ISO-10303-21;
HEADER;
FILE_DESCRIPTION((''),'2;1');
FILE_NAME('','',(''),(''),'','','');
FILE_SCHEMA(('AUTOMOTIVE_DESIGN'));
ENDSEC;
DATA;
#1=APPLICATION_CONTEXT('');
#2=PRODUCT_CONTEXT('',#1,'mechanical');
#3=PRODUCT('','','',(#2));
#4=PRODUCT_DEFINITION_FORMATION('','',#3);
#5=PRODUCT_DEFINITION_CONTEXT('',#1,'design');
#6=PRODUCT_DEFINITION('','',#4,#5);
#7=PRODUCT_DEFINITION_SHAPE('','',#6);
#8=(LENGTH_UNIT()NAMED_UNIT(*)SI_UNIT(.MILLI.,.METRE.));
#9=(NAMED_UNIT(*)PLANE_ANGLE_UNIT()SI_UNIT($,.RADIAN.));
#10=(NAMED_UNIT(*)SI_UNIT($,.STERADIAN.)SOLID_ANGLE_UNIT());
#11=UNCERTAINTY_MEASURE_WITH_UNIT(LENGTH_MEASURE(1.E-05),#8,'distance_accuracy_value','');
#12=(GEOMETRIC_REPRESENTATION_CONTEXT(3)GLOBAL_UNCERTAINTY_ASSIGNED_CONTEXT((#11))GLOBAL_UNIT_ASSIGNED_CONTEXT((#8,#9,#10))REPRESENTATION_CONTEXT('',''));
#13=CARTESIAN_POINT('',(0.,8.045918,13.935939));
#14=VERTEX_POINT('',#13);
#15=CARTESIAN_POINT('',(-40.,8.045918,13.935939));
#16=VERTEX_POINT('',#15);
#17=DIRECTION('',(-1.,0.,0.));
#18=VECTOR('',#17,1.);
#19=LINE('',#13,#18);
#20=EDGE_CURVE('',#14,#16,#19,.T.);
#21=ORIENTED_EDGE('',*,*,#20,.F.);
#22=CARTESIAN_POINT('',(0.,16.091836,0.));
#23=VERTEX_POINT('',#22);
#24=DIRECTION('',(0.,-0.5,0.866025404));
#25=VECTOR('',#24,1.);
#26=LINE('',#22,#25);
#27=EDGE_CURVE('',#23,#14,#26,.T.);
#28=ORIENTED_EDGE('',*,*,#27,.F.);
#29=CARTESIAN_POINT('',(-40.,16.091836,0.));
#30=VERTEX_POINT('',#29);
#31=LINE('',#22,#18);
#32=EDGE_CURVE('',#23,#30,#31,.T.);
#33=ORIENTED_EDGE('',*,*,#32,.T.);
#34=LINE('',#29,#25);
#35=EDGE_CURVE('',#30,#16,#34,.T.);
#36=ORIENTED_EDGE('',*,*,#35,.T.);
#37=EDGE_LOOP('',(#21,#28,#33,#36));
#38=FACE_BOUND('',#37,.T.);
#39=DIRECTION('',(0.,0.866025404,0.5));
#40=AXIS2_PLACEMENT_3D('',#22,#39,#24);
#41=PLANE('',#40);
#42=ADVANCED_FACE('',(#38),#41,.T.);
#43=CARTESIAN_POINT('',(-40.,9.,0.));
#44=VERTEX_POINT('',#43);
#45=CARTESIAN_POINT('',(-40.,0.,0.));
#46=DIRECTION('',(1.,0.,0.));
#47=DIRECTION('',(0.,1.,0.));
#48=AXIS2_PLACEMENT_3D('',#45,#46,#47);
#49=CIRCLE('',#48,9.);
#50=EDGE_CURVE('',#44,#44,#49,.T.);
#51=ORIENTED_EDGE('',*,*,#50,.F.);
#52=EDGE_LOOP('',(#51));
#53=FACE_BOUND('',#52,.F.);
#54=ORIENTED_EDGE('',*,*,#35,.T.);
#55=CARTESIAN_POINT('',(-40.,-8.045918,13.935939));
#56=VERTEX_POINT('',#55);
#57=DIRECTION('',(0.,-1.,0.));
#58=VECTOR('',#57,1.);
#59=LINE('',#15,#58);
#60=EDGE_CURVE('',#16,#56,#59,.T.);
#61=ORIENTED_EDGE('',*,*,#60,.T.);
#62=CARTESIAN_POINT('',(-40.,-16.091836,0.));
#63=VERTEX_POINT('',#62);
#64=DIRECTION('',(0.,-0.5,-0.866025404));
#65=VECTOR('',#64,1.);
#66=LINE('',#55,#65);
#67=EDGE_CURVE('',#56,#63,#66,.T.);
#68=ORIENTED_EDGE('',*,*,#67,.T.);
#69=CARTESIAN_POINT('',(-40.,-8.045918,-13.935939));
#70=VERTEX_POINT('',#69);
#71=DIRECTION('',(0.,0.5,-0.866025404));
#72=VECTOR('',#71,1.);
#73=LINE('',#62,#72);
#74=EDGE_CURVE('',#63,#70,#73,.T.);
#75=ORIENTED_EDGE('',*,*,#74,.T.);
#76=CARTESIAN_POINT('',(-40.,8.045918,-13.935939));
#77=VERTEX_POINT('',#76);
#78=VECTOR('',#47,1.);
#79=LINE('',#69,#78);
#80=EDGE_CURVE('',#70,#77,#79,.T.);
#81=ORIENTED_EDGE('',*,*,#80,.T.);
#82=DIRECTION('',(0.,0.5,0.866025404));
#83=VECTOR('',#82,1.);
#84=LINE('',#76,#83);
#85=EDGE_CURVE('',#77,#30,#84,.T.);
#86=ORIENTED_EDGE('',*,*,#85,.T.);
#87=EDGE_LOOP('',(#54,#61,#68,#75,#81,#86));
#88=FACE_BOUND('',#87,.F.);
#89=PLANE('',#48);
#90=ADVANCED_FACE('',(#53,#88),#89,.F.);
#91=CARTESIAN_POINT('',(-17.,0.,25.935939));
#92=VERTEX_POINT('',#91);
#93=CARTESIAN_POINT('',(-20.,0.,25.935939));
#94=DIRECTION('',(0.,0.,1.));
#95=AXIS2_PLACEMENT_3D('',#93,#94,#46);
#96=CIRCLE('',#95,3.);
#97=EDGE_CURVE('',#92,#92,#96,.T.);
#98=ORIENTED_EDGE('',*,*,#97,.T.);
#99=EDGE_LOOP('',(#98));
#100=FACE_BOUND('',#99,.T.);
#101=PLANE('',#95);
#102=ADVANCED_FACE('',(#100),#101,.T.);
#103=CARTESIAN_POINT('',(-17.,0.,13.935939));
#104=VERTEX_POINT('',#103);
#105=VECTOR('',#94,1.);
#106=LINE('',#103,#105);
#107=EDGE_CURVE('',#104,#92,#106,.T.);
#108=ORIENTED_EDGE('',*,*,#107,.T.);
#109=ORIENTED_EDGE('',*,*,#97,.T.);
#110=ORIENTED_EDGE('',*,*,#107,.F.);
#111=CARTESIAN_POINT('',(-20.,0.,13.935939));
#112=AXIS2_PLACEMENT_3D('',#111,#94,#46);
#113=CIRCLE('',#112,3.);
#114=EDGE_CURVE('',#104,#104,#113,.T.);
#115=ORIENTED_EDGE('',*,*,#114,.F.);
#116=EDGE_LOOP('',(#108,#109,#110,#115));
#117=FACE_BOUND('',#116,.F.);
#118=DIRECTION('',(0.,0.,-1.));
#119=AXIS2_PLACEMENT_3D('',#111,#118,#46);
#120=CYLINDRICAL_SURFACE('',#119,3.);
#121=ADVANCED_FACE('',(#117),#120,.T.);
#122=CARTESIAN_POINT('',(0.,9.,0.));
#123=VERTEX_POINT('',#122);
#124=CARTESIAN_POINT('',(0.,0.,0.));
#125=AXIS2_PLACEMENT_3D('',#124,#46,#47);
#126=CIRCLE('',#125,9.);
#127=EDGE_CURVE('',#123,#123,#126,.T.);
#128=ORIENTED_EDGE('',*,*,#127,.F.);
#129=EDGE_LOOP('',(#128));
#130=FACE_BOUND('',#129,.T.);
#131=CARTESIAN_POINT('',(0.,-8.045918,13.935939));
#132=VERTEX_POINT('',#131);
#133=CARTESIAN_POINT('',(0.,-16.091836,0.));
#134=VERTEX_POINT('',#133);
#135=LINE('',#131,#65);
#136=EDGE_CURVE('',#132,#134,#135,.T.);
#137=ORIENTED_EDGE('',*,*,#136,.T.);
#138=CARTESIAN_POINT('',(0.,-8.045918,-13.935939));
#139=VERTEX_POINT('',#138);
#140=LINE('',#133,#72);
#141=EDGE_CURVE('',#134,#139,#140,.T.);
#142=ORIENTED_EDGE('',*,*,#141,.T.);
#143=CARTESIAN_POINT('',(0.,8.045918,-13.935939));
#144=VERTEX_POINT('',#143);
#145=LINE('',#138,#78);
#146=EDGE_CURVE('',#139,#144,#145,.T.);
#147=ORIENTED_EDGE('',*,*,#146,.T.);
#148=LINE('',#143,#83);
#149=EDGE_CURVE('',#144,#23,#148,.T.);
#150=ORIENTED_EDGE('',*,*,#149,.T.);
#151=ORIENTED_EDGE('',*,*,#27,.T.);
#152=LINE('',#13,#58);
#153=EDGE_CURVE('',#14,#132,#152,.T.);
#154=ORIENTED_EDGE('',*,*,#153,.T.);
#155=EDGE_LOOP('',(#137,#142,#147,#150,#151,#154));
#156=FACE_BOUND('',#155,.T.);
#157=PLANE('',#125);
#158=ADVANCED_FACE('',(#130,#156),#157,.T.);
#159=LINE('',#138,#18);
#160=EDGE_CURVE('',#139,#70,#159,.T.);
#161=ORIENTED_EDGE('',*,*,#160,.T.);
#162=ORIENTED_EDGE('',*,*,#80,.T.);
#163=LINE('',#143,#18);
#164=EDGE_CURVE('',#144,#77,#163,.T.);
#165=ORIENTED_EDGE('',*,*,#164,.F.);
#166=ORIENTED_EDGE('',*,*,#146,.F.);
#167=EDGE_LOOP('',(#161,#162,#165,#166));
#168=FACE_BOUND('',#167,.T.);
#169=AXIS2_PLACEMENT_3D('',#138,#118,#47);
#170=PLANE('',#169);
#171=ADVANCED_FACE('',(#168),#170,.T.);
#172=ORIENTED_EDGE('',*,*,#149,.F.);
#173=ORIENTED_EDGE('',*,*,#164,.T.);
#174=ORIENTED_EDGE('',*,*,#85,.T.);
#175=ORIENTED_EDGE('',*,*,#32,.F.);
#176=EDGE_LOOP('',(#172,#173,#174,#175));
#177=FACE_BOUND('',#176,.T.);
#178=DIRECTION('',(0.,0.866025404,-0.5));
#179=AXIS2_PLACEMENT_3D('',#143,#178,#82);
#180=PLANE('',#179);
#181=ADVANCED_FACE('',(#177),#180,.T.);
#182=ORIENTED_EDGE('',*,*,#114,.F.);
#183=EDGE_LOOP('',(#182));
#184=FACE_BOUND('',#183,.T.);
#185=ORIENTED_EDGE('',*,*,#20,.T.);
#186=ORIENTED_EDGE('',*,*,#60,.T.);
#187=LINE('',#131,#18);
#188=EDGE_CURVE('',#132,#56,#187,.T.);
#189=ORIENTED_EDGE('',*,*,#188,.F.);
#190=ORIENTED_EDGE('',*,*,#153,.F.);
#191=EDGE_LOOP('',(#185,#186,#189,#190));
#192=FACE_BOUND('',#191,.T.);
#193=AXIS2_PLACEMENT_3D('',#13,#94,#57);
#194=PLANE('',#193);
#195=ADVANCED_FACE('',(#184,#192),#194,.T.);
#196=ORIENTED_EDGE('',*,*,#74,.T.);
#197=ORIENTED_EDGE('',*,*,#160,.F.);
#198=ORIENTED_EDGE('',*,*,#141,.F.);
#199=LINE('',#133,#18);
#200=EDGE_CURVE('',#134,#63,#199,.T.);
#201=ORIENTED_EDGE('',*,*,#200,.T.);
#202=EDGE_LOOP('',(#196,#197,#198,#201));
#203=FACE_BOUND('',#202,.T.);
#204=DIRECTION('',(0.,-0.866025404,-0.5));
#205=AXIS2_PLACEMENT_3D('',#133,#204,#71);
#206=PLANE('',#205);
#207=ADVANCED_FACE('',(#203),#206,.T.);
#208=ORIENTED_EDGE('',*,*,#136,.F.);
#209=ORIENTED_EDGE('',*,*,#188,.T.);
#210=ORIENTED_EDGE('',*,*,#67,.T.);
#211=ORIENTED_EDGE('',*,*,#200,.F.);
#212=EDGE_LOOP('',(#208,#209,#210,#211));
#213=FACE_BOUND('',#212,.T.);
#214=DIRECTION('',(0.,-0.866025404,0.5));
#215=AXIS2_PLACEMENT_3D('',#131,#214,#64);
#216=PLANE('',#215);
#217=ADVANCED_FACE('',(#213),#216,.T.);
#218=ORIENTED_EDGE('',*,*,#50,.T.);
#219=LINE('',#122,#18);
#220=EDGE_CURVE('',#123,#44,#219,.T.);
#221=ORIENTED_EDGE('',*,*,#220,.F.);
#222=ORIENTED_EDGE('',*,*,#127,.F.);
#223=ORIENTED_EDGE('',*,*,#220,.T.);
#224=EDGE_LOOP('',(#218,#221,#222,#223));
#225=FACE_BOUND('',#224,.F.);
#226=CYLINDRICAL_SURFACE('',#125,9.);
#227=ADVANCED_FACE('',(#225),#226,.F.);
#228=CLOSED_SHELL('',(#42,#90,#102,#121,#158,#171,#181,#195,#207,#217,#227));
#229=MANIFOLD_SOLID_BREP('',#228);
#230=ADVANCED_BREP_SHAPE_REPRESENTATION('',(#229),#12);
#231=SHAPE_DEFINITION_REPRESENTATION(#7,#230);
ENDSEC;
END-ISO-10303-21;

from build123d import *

# Parameters (mm, degrees)
F0_R     = 9
F1_DEPTH = 40
F3_R     = 3
F4_DEPTH = 12


with BuildPart() as f1:
    # F0 (on Right) → F1 (new body)
    with BuildSketch(Plane.YZ):
        Polygon((8.0459182105, 13.9359391342), (-8.0459182105, 13.9359391342), (-16.0918364211, 0), (-8.0459182105, -13.9359391342), (8.0459182105, -13.9359391342), (16.0918364211, 0), align=None)
        Circle(F0_R, mode=Mode.SUBTRACT)
    extrude(amount=-F1_DEPTH)

    # F3 (on offset) → F4 (join)
    with BuildSketch(Plane.XY.offset(13.9359391342)):
        with Locations((-20, 0)):
            Circle(F3_R)
    extrude(amount=F4_DEPTH)


solid = f1.part
